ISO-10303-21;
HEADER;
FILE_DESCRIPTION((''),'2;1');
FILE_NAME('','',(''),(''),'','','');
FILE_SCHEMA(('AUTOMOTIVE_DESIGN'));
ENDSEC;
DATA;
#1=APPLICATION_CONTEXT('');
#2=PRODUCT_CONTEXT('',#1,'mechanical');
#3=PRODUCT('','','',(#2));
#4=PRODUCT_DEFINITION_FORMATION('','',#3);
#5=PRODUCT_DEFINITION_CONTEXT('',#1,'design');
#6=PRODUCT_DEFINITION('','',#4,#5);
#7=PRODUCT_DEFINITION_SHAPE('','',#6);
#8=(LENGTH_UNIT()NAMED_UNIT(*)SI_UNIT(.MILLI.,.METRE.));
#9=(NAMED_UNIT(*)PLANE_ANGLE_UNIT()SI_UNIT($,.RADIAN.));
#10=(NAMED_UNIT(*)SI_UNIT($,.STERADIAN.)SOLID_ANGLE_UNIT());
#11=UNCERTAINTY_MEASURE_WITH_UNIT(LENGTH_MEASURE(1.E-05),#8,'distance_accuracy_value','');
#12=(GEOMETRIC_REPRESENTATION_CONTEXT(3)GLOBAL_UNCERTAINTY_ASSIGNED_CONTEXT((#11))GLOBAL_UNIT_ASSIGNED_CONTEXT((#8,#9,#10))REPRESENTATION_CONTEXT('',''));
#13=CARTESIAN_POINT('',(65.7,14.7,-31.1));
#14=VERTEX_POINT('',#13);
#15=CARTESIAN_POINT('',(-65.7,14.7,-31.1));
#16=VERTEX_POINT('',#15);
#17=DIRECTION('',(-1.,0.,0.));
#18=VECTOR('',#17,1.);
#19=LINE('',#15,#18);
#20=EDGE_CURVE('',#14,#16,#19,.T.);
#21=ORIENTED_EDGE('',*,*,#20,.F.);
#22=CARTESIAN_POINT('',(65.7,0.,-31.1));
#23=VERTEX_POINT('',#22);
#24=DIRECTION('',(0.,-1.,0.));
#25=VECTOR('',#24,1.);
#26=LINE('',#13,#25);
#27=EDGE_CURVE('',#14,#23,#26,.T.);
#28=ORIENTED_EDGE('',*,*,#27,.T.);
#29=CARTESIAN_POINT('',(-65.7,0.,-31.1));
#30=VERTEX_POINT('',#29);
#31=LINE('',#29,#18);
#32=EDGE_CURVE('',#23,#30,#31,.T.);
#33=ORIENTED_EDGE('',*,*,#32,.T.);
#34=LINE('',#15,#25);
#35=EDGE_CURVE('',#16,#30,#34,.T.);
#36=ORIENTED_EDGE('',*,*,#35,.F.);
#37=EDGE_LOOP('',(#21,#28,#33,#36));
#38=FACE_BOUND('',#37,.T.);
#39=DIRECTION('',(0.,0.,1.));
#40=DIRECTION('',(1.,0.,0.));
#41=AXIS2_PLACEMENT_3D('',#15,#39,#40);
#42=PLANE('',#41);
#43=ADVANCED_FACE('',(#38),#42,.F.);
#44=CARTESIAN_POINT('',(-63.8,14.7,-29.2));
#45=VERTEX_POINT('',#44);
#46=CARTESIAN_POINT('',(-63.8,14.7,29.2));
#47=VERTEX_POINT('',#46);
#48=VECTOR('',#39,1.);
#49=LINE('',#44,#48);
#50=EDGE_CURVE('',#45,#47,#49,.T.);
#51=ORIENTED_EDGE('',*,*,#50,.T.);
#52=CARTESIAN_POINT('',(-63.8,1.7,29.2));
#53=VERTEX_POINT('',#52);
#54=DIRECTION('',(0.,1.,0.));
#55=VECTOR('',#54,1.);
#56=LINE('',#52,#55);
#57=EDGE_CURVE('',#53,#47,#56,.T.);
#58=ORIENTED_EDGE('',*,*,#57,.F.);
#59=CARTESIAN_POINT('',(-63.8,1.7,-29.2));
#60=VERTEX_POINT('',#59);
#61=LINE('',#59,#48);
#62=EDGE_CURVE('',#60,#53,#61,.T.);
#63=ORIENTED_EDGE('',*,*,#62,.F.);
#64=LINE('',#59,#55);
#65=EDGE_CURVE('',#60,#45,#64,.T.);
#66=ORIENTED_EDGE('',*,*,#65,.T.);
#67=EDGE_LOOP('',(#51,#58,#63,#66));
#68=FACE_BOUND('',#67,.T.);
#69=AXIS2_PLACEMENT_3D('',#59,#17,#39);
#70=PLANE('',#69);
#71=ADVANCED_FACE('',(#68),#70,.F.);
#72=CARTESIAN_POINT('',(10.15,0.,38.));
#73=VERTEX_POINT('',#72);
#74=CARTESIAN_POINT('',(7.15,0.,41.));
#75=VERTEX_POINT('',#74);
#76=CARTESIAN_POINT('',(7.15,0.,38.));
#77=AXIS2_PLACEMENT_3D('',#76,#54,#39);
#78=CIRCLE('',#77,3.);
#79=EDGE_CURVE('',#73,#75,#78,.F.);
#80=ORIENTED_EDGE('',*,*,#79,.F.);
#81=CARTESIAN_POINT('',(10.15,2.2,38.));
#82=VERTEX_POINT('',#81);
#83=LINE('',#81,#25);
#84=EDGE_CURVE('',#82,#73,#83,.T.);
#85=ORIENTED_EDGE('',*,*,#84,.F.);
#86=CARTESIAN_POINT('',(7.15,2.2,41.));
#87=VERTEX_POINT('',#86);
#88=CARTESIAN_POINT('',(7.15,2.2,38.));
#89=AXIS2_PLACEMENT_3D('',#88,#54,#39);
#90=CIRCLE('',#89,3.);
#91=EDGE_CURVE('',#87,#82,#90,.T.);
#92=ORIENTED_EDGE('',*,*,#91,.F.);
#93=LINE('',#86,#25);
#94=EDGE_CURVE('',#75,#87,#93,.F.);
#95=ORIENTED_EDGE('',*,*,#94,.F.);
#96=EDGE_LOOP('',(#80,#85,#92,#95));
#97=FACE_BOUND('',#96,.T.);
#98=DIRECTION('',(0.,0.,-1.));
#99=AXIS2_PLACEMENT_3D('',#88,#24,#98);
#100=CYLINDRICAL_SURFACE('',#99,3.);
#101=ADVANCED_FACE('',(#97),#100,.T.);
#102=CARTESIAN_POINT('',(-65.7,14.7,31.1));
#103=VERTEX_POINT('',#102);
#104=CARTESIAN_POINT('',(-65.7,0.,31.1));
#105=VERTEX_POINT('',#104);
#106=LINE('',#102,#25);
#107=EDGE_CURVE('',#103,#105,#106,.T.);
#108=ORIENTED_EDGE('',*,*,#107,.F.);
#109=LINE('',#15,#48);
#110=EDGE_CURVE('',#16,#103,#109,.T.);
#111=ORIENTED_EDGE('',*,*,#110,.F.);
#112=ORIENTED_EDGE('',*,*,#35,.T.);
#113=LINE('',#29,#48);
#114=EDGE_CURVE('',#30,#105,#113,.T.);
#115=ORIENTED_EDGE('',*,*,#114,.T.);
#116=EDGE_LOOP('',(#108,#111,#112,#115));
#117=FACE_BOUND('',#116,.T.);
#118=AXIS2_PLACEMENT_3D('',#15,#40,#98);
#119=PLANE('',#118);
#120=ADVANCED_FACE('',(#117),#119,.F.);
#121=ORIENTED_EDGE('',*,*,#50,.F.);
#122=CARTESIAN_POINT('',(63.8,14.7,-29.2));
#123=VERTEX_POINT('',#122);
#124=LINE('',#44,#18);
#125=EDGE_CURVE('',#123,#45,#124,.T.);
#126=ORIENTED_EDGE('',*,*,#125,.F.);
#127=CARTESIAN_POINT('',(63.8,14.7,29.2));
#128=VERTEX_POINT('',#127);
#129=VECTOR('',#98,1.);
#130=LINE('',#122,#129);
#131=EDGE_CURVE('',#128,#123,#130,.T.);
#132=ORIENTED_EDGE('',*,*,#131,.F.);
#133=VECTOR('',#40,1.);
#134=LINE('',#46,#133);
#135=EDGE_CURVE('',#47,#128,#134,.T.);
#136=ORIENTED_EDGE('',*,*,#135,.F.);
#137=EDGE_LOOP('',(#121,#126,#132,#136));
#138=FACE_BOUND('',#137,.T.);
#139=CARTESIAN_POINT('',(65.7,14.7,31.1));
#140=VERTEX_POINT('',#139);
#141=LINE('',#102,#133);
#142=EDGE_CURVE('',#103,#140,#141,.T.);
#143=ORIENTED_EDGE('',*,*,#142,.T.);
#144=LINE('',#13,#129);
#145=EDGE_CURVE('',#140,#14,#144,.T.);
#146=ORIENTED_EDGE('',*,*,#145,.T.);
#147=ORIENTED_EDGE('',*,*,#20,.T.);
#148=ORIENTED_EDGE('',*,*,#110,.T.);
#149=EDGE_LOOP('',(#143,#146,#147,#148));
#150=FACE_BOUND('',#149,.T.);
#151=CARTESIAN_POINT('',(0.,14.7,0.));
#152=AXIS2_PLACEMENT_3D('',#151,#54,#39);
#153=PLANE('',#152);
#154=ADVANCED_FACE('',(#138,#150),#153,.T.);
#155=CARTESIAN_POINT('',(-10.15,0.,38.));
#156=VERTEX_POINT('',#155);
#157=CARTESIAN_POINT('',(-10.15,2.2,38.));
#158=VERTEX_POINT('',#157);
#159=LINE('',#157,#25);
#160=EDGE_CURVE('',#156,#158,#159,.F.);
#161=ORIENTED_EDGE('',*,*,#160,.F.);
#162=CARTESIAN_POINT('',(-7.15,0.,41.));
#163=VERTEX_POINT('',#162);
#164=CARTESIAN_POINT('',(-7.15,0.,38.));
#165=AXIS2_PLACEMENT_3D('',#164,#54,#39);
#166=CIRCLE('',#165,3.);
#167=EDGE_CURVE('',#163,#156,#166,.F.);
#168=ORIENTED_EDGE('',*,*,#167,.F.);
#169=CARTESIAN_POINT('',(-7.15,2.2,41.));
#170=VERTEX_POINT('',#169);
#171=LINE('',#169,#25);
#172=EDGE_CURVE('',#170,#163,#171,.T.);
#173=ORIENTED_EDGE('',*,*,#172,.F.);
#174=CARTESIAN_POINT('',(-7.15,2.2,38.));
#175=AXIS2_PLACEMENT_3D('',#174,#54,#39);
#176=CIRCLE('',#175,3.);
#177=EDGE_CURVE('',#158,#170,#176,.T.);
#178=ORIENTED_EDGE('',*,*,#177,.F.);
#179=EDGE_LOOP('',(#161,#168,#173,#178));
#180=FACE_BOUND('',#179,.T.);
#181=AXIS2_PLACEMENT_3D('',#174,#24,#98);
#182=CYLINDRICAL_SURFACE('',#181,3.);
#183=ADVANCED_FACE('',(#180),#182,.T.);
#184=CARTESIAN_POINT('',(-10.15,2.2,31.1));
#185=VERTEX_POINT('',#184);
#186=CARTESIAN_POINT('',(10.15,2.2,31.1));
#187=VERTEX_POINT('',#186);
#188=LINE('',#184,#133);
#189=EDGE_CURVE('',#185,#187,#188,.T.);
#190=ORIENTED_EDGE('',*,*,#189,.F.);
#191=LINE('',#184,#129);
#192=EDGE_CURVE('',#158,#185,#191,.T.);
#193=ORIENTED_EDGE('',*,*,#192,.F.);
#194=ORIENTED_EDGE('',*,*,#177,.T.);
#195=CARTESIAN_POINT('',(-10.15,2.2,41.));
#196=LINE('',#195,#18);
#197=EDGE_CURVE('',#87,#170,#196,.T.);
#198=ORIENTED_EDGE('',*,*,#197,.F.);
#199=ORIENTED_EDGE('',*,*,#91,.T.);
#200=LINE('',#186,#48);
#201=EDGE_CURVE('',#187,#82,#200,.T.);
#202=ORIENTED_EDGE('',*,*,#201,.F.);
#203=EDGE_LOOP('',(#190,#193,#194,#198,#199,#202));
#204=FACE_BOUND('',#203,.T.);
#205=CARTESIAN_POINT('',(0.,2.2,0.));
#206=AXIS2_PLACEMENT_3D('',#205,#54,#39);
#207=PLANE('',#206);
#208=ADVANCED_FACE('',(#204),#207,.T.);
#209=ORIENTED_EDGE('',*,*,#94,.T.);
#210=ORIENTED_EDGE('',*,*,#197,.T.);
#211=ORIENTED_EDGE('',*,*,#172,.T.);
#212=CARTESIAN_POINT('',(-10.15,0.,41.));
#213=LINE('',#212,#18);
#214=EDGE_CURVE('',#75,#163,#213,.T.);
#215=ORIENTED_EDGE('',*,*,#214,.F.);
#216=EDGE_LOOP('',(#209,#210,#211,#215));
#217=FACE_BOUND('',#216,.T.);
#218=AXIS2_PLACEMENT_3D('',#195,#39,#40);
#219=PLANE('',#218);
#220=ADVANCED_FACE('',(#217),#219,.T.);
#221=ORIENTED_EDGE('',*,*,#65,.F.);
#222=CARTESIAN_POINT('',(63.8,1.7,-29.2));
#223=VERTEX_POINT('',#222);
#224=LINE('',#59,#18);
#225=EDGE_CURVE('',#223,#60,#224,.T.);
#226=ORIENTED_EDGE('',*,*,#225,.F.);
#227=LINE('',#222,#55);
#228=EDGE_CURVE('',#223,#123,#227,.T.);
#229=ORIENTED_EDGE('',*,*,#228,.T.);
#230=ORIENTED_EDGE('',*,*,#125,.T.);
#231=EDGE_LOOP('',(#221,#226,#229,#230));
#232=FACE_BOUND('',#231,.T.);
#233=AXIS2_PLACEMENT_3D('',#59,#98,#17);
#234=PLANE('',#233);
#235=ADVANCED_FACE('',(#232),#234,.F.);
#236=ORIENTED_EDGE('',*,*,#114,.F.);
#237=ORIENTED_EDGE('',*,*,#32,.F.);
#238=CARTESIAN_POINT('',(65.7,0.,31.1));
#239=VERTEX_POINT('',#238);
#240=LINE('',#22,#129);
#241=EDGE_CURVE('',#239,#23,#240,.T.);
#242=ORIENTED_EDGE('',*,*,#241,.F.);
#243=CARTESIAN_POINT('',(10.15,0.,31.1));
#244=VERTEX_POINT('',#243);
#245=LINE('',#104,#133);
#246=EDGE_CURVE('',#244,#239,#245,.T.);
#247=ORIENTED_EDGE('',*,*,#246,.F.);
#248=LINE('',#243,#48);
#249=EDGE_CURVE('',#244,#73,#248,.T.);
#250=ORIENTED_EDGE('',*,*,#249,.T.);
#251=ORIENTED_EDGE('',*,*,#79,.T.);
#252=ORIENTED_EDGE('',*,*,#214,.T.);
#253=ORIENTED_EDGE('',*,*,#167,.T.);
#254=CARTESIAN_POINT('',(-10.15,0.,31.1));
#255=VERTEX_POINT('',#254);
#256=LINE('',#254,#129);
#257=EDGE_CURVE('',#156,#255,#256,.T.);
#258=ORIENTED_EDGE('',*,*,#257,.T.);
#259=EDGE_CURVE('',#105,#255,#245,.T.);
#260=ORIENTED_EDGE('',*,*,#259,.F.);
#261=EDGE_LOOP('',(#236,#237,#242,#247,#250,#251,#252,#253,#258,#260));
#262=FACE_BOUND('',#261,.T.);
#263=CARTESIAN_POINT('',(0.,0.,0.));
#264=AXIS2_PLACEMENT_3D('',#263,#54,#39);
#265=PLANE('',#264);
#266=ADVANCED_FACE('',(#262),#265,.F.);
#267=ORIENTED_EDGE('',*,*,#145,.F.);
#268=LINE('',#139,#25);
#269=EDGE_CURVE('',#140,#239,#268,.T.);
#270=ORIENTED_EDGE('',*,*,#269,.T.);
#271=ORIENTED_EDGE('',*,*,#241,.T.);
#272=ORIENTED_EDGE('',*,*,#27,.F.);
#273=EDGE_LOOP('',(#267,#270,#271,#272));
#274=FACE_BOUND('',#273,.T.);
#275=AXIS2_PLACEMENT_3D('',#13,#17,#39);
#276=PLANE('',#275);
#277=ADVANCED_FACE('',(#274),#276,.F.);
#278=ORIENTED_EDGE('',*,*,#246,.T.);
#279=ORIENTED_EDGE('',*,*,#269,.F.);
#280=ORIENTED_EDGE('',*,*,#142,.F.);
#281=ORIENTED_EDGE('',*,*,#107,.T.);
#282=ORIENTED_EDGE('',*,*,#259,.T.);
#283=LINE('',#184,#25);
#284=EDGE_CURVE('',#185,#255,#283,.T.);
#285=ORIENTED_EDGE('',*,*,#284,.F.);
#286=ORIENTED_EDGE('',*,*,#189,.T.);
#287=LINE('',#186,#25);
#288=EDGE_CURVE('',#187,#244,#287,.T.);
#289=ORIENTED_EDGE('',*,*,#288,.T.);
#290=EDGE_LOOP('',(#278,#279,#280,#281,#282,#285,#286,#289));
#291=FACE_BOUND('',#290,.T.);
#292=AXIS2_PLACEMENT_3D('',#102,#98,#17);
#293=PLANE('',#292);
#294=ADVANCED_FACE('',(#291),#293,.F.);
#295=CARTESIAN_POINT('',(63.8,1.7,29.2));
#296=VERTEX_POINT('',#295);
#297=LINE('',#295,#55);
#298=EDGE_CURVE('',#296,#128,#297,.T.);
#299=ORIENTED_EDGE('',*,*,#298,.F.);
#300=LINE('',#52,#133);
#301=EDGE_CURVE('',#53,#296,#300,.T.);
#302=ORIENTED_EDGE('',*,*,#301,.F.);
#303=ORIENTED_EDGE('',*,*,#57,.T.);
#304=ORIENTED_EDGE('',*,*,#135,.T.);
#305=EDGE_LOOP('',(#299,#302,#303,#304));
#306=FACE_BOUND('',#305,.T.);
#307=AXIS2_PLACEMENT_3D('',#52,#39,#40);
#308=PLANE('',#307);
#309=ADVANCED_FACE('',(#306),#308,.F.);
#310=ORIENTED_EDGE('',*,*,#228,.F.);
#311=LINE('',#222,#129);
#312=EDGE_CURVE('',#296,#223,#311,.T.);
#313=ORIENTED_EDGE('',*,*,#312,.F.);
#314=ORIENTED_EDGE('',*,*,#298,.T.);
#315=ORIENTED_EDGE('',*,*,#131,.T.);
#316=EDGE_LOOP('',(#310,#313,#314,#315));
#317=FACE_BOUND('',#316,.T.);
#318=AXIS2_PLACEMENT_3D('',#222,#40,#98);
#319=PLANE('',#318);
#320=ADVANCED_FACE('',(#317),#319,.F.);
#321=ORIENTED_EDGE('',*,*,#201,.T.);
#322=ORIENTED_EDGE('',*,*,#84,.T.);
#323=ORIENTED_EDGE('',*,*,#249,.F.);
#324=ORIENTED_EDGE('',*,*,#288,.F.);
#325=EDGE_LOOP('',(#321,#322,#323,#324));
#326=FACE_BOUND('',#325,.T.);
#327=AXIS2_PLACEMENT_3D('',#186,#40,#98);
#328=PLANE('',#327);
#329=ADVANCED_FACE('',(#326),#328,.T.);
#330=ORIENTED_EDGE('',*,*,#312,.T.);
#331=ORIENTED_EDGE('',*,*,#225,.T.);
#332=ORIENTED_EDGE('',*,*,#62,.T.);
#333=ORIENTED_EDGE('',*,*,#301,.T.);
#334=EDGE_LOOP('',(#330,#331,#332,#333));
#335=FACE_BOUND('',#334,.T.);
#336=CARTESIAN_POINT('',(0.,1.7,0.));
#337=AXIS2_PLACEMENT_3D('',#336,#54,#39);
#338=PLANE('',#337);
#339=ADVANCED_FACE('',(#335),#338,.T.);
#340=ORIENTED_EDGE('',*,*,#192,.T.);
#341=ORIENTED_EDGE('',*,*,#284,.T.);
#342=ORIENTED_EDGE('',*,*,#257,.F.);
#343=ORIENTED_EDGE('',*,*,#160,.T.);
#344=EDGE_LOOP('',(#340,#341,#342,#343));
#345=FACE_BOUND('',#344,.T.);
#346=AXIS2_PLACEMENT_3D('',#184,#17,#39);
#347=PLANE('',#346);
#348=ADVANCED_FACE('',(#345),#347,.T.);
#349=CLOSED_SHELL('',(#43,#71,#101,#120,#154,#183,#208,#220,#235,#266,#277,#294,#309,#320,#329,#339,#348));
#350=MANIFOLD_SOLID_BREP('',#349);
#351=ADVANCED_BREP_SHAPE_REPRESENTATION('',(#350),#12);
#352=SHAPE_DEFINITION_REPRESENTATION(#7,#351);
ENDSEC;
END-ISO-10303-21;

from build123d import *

# Parameters (mm, degrees)
SKETCH2_W           = 131.4
SKETCH2_H           = 62.2
BOSS_EXTRUDE1_DEPTH = 14.7
SKETCH3_W           = 127.6
SKETCH3_H           = 58.4
CUT_EXTRUDE1_DEPTH  = 13
SKETCH4_W           = 20.3
SKETCH4_H           = 9.9
BOSS_EXTRUDE2_DEPTH = 2.2
FILLET1_R           = 3


with BuildPart() as part:
    # Sketch2 → Boss-Extrude1 (new body)
    with BuildSketch(Plane(origin=(0, 0, 0), x_dir=(1, 0, 0), z_dir=(0, 1, 0))):
        Rectangle(SKETCH2_W, SKETCH2_H)
    extrude(amount=BOSS_EXTRUDE1_DEPTH)

    # Sketch3 → Cut-Extrude1 (cut)
    with BuildSketch(Plane(origin=(0, 14.7, 0), x_dir=(1, 0, 0), z_dir=(0, 1, 0))):
        Rectangle(SKETCH3_W, SKETCH3_H)
    extrude(amount=-CUT_EXTRUDE1_DEPTH, mode=Mode.SUBTRACT)

    # Sketch4 → Boss-Extrude2 (add)
    with BuildSketch(Plane.XZ):
        with Locations((0, 36.05)):
            Rectangle(SKETCH4_W, SKETCH4_H)
    extrude(amount=-BOSS_EXTRUDE2_DEPTH)

    # Fillet1
    fillet1_edges = [part.edges().sort_by_distance(p)[0] for p in [
        (-10.15, 1.1, 41),
        (10.15, 1.1, 41),
    ]]
    fillet(fillet1_edges, radius=FILLET1_R)


solid = part.part
